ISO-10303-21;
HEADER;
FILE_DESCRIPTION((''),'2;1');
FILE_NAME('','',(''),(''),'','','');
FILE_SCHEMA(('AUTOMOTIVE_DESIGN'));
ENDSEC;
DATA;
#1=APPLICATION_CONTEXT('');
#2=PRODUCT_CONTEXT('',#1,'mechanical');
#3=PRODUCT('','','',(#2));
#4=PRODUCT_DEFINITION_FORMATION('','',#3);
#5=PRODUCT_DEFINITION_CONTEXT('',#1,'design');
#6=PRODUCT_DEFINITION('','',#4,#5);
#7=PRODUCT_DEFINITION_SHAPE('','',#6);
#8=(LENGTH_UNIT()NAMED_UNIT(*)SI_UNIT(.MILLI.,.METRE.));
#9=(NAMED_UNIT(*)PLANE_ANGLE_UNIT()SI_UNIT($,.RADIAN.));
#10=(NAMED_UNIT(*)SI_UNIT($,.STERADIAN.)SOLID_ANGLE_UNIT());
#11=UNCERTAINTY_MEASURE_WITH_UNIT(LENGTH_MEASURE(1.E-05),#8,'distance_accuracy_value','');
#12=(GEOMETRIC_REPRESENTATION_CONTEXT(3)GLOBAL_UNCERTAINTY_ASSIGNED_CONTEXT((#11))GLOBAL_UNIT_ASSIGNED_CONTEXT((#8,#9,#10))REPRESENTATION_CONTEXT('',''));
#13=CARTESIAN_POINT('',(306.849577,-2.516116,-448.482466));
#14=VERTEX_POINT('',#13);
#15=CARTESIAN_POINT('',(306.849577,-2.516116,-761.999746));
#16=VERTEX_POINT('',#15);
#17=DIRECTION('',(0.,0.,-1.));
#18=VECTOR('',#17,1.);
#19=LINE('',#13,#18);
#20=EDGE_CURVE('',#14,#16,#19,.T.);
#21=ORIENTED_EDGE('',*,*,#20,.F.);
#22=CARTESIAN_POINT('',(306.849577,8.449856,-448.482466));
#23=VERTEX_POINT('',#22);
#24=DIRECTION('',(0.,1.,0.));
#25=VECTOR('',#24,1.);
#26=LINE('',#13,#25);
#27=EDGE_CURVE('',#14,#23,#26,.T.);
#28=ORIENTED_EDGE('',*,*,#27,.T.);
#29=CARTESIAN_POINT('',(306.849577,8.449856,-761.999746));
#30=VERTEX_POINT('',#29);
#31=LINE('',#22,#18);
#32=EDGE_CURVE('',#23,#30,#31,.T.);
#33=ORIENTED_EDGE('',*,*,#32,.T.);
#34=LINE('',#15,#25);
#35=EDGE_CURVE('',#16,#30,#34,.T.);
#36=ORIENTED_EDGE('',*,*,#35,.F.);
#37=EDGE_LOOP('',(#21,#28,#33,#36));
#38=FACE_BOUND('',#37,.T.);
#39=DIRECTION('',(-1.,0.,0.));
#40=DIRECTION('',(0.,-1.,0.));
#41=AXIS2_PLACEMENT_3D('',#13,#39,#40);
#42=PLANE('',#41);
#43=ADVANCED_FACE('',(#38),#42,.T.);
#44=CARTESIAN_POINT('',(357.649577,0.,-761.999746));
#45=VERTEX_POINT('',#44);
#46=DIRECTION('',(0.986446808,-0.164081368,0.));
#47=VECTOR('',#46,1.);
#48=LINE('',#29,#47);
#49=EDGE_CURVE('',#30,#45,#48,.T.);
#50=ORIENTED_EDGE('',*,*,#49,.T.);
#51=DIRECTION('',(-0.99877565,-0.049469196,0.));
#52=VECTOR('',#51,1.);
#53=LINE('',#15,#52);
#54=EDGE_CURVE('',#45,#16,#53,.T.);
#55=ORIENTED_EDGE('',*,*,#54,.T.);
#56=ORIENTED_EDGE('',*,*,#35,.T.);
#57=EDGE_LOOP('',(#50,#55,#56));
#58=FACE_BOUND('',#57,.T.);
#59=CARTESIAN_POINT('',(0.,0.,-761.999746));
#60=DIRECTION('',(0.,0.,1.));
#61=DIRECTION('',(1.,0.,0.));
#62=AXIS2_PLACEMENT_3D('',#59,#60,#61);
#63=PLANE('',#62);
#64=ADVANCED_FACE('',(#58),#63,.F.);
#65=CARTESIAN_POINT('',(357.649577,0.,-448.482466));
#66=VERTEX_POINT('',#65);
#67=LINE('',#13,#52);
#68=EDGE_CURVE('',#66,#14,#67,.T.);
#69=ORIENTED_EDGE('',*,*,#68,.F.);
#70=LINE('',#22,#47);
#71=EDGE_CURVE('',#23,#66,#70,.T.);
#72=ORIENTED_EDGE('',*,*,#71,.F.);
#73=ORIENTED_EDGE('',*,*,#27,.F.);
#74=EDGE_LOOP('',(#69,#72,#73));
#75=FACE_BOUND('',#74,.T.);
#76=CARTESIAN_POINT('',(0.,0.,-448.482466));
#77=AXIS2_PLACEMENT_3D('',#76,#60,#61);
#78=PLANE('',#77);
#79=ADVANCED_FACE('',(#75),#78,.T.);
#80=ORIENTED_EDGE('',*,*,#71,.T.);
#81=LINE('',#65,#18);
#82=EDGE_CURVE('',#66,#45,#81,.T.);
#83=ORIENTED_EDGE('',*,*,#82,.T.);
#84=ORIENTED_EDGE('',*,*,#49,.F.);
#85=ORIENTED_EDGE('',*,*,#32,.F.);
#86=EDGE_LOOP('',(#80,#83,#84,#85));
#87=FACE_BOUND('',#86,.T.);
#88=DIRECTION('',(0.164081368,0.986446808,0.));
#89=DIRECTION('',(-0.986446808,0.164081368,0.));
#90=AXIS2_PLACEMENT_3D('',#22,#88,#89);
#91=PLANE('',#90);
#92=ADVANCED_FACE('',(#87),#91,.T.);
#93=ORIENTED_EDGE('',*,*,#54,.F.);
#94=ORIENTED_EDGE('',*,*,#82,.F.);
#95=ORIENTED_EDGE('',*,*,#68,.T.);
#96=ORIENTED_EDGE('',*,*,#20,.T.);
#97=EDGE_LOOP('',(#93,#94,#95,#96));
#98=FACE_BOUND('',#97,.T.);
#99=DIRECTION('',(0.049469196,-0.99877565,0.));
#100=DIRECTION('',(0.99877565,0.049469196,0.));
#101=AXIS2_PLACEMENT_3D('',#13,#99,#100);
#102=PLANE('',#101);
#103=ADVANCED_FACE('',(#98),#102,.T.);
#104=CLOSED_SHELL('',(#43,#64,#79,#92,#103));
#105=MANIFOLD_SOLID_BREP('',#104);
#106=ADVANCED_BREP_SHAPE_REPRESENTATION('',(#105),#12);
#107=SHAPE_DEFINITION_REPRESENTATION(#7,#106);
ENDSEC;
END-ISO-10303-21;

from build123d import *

# Parameters (mm, degrees)
BOSS_EXTRUDE2_DEPTH = 313.51728


with BuildPart() as part:
    # Sketch2 → Boss-Extrude2 (new body)
    with BuildSketch(Plane(origin=(0, 0, -761.999746), x_dir=(-1, 0, 0), z_dir=(0, 0, -1))):
        Polygon((-306.8495768, -2.516115741), (-306.8495768, 8.449856001), (-357.6495768, 0), align=None)
    extrude(amount=-BOSS_EXTRUDE2_DEPTH)


solid = part.part
